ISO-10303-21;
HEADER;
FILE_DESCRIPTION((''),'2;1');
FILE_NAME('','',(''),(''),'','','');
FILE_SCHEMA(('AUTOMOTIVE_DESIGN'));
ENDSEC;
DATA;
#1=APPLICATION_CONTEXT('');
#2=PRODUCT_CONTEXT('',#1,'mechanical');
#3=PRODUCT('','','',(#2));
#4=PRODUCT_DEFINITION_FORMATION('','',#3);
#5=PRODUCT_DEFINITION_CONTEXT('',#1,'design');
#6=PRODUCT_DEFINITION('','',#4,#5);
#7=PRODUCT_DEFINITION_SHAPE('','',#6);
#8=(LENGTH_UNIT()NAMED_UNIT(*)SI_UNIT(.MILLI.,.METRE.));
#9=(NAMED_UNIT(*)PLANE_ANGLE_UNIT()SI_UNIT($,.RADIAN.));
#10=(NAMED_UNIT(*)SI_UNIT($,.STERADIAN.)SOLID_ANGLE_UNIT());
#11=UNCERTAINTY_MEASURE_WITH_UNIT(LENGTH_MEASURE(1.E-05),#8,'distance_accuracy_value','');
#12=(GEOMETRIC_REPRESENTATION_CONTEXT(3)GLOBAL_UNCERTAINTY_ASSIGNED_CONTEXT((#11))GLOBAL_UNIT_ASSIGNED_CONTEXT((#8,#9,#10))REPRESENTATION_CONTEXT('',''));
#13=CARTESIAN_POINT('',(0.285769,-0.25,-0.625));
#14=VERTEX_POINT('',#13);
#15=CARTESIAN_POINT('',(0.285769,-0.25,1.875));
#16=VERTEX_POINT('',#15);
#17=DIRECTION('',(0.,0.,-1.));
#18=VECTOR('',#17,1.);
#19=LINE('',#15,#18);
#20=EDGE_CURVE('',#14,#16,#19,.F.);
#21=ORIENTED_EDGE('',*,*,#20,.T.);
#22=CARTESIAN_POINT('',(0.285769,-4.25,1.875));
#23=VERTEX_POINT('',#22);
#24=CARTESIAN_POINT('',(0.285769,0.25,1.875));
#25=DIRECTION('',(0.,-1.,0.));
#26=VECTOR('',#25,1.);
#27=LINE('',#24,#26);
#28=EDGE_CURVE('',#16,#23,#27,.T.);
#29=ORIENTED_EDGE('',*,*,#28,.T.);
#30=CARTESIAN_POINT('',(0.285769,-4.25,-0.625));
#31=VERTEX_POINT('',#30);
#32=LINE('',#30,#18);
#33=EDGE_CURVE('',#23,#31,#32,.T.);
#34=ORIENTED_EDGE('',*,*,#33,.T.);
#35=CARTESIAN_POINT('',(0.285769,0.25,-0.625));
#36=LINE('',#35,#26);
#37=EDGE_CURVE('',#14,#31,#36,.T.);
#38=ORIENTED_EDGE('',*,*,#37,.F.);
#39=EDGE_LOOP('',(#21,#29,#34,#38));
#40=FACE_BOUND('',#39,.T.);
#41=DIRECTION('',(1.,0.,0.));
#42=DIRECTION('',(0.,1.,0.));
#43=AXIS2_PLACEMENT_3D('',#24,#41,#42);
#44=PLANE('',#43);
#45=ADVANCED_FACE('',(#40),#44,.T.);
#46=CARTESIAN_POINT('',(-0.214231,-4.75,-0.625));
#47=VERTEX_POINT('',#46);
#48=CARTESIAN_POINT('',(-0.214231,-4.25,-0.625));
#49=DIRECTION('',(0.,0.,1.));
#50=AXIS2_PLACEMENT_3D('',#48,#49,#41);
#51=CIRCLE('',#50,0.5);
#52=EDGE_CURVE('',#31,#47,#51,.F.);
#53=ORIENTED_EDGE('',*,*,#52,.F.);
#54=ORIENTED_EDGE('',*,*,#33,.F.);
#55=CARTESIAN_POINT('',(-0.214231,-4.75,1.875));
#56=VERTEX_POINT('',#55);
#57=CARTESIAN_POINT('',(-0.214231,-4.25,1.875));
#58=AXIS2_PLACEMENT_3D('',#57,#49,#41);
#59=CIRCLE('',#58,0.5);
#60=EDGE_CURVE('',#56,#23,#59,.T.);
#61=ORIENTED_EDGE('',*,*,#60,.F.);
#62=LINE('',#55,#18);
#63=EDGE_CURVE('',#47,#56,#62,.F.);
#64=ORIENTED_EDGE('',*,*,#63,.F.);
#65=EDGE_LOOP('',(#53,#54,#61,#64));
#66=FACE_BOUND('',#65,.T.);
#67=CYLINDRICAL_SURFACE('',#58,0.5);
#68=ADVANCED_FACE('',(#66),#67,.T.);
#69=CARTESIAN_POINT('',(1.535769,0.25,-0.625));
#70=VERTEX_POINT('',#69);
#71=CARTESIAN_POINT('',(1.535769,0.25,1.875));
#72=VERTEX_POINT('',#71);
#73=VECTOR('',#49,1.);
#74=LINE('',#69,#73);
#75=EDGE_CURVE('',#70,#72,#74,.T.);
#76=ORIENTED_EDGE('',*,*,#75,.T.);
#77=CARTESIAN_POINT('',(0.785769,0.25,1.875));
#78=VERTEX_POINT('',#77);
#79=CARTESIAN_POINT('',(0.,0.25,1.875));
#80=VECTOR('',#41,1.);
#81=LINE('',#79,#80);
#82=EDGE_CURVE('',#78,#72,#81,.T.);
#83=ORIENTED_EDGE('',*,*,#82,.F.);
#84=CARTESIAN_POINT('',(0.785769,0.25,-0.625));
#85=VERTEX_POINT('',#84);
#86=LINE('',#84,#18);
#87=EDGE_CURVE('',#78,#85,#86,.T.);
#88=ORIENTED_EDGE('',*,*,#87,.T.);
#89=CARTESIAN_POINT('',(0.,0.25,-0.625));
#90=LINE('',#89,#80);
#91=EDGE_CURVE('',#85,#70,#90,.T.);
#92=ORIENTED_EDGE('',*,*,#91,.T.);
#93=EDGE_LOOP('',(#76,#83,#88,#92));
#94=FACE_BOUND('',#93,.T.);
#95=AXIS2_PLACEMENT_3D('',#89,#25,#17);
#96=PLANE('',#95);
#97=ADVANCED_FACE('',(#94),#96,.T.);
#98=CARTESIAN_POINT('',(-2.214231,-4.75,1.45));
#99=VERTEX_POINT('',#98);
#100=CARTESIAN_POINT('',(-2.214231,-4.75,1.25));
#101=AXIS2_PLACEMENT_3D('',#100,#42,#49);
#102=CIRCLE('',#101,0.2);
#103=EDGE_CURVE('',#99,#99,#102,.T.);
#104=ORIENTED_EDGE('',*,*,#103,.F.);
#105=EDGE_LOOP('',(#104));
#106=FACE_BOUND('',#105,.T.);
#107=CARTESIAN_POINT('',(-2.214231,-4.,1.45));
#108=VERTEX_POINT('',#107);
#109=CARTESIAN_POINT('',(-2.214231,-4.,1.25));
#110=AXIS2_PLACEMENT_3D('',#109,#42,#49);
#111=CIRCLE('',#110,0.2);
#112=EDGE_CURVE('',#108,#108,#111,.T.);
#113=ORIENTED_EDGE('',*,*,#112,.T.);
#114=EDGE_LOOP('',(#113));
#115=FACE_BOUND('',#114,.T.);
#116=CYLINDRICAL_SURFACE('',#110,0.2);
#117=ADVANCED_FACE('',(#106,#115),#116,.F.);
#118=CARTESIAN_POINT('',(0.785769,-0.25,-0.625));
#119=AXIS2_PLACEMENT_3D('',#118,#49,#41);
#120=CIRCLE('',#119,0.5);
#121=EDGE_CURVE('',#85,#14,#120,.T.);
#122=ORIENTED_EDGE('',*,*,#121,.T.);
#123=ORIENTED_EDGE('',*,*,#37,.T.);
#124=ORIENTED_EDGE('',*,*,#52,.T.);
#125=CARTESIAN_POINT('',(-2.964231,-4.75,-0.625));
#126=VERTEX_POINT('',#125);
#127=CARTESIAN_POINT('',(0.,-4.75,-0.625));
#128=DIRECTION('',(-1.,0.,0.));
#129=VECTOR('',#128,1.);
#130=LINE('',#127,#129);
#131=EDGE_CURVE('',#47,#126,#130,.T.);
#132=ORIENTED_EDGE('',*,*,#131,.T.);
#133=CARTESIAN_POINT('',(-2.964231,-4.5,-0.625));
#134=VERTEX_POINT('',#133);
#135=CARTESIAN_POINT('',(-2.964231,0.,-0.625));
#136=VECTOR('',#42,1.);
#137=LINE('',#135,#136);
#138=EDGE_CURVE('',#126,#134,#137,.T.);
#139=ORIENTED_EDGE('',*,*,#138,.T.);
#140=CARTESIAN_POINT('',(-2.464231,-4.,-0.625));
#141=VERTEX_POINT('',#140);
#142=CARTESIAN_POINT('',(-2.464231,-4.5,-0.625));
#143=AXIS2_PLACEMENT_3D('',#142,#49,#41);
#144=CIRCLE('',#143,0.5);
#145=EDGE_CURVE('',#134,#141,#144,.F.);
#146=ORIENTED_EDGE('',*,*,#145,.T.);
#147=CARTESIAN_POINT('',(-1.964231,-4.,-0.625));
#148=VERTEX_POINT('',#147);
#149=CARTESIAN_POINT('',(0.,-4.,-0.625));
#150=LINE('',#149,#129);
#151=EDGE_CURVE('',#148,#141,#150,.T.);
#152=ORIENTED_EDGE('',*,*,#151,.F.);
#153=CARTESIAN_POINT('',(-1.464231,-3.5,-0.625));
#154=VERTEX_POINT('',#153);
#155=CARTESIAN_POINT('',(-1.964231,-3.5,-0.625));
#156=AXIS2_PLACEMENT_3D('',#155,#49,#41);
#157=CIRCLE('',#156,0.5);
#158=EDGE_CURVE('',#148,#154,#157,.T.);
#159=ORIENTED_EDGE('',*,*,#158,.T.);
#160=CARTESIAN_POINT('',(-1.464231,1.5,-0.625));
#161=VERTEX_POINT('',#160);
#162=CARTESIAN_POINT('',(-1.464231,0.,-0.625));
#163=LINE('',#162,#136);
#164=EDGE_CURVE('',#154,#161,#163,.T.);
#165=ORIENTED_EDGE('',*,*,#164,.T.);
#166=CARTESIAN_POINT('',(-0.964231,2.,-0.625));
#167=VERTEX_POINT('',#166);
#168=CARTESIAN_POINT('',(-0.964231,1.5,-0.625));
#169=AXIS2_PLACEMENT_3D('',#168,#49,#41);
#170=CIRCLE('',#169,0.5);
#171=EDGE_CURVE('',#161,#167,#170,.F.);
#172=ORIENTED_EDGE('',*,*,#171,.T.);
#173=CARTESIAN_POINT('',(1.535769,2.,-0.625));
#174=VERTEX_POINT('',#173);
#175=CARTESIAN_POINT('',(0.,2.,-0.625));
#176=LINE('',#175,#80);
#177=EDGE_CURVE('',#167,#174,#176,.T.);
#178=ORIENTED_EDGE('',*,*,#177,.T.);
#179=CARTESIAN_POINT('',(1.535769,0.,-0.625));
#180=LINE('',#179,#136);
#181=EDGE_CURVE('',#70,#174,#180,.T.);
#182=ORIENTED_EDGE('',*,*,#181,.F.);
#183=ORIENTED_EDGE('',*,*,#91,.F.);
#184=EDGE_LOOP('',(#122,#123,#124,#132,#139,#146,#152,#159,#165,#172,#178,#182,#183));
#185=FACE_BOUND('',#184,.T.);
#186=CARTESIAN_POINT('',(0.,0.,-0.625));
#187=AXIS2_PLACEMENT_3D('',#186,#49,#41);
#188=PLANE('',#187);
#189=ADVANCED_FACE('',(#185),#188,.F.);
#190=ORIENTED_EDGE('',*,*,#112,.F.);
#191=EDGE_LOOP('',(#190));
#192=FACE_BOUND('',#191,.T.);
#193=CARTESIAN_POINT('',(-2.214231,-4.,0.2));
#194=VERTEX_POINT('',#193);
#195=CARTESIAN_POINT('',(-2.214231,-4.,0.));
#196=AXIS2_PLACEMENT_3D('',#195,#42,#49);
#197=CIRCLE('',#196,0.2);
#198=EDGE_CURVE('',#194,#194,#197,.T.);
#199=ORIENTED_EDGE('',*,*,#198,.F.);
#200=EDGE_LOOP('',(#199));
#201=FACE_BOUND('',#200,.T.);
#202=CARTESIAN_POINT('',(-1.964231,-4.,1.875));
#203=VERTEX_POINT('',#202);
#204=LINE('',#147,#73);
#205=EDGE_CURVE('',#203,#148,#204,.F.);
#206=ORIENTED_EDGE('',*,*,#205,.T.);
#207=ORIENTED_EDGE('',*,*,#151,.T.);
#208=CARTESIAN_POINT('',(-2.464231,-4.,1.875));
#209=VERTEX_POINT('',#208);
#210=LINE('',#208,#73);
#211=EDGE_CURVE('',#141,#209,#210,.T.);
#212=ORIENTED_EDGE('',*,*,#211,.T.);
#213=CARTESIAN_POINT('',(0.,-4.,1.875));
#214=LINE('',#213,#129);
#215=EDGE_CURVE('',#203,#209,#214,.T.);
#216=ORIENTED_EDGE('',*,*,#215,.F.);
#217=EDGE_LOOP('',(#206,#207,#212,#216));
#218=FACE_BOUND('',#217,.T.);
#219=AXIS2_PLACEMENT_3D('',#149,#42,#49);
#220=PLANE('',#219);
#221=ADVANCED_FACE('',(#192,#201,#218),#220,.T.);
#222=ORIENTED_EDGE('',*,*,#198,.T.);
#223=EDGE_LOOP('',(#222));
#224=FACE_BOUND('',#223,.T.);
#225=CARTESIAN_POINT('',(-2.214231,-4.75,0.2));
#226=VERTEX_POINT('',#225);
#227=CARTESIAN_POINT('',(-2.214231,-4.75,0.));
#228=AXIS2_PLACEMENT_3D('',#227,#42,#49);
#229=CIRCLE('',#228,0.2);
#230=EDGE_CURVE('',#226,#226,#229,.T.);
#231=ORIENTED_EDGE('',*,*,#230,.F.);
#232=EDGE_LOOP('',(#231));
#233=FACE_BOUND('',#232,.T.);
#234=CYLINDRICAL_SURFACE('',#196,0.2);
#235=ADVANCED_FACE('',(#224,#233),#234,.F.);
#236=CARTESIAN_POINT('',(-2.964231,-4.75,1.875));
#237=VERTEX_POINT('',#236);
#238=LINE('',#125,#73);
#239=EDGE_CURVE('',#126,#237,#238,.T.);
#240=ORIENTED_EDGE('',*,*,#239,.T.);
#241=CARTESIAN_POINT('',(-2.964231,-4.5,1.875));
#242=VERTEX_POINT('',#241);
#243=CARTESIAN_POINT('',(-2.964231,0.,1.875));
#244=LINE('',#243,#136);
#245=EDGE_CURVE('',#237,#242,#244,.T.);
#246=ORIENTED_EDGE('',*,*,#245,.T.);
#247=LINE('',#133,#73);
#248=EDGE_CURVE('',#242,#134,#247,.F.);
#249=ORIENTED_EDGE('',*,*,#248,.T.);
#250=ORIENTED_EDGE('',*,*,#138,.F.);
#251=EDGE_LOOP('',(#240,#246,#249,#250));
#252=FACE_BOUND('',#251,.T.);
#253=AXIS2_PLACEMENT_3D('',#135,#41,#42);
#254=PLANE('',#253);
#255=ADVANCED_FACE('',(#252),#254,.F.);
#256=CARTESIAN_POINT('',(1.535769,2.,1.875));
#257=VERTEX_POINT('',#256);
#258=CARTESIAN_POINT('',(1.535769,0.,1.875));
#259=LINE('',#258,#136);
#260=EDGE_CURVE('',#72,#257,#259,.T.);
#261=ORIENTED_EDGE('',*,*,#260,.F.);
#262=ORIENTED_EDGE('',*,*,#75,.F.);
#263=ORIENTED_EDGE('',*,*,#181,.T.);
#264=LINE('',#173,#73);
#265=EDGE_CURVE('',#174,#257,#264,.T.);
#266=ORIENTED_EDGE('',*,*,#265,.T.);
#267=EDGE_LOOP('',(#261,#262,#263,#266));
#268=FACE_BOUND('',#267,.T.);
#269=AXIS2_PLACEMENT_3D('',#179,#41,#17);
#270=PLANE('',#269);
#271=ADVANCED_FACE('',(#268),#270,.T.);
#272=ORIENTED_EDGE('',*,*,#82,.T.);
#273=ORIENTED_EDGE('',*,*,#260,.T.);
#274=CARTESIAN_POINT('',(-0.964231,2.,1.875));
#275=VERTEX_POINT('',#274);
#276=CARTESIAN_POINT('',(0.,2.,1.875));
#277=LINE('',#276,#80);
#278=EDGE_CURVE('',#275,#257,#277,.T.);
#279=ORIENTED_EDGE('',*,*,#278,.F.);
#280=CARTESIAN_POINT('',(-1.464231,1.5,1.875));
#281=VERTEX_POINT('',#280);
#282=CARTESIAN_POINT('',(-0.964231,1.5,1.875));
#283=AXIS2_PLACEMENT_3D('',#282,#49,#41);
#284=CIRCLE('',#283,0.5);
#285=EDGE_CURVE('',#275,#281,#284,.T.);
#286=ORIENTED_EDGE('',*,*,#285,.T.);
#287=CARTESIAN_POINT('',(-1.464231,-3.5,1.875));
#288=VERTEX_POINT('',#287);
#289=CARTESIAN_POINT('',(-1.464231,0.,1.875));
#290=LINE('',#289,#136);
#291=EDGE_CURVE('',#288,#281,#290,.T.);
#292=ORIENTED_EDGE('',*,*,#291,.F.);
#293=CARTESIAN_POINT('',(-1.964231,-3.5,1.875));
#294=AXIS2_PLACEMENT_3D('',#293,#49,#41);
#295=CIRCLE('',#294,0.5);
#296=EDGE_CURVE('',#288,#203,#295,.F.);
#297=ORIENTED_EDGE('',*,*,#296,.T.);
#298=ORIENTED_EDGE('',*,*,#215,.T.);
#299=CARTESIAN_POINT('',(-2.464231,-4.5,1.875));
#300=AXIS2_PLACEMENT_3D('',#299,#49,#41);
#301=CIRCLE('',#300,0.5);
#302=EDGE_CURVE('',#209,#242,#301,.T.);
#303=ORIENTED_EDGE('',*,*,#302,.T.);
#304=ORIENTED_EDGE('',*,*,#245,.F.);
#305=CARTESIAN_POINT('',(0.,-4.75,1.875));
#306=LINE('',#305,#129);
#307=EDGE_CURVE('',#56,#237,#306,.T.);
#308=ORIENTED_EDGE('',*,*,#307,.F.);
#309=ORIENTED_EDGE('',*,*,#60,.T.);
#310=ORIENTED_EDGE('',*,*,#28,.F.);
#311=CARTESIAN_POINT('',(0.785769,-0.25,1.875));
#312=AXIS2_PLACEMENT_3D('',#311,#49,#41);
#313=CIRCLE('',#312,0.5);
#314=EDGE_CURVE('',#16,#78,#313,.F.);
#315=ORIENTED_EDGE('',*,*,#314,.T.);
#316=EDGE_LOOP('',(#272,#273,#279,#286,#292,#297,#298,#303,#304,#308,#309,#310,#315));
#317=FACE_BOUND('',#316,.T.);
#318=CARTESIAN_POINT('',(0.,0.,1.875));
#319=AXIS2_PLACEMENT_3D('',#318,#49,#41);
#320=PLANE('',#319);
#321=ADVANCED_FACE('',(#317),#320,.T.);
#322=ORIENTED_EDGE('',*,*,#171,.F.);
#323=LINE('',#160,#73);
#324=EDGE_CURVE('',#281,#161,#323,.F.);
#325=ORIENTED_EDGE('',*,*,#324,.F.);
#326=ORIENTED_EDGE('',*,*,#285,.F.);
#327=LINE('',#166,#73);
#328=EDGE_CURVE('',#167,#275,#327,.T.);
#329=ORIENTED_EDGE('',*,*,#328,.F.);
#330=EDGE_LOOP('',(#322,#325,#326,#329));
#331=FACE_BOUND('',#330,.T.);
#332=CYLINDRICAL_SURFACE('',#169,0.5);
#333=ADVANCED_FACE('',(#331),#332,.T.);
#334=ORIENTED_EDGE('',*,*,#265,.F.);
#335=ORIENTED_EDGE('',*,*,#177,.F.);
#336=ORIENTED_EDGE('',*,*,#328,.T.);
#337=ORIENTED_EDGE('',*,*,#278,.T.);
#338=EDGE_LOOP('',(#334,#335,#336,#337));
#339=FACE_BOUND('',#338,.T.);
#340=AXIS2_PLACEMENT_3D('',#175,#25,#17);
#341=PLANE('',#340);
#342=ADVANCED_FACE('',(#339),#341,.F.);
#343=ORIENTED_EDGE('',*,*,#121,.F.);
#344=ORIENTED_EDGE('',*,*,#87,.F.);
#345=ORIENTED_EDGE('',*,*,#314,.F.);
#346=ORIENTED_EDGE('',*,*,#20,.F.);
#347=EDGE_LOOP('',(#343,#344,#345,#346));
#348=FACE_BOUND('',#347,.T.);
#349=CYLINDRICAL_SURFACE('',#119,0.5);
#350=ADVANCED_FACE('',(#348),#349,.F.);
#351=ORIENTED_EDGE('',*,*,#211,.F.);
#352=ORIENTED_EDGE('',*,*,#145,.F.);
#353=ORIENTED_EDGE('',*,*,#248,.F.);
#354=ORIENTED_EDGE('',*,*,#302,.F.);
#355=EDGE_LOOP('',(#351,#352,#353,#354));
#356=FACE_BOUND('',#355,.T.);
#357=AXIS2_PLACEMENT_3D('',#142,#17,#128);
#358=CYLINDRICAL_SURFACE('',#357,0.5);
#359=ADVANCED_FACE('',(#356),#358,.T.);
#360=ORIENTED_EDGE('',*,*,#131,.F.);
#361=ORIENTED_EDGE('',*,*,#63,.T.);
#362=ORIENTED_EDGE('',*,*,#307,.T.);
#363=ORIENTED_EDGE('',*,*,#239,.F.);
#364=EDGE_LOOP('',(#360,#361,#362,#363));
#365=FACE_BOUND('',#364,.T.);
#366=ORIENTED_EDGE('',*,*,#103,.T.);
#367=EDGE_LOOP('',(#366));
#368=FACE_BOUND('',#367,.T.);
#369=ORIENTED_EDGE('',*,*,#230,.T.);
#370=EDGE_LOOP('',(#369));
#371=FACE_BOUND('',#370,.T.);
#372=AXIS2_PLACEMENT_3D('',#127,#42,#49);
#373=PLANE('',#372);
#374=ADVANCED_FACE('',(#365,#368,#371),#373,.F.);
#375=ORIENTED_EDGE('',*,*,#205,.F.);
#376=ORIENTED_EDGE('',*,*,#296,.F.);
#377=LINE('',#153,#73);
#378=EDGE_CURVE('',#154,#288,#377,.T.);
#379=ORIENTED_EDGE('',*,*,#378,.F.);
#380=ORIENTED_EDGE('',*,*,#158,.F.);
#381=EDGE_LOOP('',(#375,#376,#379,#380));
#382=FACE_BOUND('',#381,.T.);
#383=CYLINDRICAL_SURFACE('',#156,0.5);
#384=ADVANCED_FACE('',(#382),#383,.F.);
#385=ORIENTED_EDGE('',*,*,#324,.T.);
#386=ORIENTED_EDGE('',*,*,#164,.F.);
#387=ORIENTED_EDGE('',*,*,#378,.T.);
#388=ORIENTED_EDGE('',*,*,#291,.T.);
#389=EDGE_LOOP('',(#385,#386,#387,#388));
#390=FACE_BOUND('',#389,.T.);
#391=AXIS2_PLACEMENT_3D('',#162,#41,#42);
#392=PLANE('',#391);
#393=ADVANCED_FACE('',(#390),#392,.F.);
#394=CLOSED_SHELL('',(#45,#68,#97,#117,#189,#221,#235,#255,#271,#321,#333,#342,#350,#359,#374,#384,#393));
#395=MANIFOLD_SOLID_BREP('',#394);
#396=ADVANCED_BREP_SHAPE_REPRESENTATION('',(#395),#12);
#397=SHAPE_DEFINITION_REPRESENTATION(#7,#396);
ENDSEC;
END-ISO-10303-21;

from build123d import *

# Parameters (mm, degrees)
SKETCH1_W                  = 1.5
SKETCH1_H                  = 0.75
BOSS_EXTRUDE1_DEPTH        = 1.875
BOSS_EXTRUDE1_DEPTH_BACK   = 0.625
FILLET1_R                  = 0.5
F_0_4_0_4_DIAMETER_HOLE1_D = 0.4


with BuildPart() as part:
    # Sketch1 → Boss-Extrude1 (new body, two sides)
    with BuildSketch(Plane.XY) as boss_extrude1_sk:
        Polygon((0.285769435, 0.25), (-1.464230565, 0.25), (-1.464230565, -4), (-1.464230565, -4.75), (0.285769435, -4.75), align=None)
        Polygon((-1.464230565, 2), (-1.464230565, 0.25), (0.285769435, 0.25), (1.535769435, 0.25), (1.535769435, 2), align=None)
        with Locations((-2.214230565, -4.375)):
            Rectangle(SKETCH1_W, SKETCH1_H)
    extrude(amount=BOSS_EXTRUDE1_DEPTH)
    extrude(boss_extrude1_sk.sketch, amount=-BOSS_EXTRUDE1_DEPTH_BACK)

    # Fillet1
    fillet1_edges = [part.edges().sort_by_distance(p)[0] for p in [
        (0.285769435, 0.25, 0.625),
        (-2.964230565, -4, 0.625),
        (-1.464230565, -4, 0.625),
        (0.285769435, -4.75, 0.625),
        (-1.464230565, 2, 0.625),
    ]]
    fillet(fillet1_edges, radius=FILLET1_R)

    # Ø0.4 (0.4) Diameter Hole1 (through all)
    with Locations(Plane(origin=(0, -4, 0), x_dir=(1, 0, 0), z_dir=(0, 1, 0))):
        with Locations((-2.214230565, 0), (-2.214230565, -1.25)):
            Hole(F_0_4_0_4_DIAMETER_HOLE1_D / 2)


solid = part.part
